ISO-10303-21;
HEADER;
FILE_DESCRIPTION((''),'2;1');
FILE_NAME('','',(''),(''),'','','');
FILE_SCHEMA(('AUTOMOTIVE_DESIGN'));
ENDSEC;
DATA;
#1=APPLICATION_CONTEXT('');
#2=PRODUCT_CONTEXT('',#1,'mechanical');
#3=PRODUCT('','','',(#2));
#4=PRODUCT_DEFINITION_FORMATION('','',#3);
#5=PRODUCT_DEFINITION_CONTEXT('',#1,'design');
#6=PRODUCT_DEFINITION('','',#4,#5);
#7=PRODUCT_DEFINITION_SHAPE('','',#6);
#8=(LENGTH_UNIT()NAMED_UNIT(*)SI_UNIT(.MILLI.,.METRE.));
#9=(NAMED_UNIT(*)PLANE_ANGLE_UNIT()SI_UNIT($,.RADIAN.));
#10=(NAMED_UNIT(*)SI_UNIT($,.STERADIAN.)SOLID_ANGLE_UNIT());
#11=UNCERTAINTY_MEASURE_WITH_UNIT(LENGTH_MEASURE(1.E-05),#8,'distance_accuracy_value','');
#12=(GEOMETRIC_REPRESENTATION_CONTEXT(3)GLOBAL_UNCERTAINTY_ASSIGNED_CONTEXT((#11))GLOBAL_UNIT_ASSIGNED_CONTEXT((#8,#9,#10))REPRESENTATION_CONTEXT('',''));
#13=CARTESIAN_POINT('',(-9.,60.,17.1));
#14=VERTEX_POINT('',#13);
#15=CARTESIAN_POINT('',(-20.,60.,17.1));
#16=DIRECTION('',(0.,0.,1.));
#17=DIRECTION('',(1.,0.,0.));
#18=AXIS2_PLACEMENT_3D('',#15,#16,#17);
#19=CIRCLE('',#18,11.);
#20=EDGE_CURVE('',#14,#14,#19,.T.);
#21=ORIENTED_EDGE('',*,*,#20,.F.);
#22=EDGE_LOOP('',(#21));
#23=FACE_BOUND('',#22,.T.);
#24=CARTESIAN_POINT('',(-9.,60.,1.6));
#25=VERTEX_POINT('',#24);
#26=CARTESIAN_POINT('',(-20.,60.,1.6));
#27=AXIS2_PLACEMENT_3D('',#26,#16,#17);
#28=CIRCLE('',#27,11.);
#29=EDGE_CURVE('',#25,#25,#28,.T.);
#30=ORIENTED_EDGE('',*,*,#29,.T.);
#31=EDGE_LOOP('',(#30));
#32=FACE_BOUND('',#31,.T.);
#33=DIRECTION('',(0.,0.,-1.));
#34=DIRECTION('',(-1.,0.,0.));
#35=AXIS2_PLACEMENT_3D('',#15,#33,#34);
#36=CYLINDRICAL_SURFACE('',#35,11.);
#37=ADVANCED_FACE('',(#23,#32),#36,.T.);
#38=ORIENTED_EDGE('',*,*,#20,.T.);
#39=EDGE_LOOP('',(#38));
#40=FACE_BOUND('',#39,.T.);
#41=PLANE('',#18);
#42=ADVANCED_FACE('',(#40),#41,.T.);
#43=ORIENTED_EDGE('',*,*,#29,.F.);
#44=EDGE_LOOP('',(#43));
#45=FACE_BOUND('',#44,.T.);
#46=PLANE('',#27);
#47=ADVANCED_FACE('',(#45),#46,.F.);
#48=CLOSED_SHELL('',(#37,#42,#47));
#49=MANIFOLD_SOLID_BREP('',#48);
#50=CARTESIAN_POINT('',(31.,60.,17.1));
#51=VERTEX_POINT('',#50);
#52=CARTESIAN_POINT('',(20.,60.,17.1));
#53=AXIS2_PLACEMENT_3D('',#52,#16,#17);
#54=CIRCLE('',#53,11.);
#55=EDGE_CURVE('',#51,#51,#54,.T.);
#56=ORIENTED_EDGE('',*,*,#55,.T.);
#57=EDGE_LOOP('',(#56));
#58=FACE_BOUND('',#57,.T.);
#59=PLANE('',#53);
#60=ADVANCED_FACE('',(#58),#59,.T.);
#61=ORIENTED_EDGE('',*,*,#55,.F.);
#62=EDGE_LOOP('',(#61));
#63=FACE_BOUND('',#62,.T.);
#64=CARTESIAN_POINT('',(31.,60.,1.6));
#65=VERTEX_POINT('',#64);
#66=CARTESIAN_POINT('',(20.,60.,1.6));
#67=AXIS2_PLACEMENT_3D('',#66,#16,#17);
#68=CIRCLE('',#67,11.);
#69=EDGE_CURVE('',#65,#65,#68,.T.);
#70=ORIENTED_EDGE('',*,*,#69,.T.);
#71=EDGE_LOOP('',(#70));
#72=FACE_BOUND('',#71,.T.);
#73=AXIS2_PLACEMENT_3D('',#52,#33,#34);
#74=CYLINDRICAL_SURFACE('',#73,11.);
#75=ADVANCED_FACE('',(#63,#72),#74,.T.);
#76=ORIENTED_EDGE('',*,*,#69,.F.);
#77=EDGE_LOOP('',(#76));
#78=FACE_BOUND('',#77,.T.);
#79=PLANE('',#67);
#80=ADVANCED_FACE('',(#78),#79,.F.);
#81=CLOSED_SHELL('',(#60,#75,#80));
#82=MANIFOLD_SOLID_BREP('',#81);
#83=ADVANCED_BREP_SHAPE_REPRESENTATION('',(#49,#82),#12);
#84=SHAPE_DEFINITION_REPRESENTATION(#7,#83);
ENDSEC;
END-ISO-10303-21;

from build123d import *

# Parameters (mm, degrees)
R1_D22_VISUAL_ENVELOPE_NOT_MEASURED_START   = 1.6
SKETCH_1_R                                  = 11
R1_D22_VISUAL_ENVELOPE_NOT_MEASURED_DEPTH   = 15.5
R1_D22_VISUAL_ENVELOPE_NOT_MEASURED_2_DEPTH = 15.5


with BuildPart() as part:
    # 草图1 → R1_D22_visual_envelope_NOT_measured (new body)
    with BuildSketch(Plane.XY.offset(R1_D22_VISUAL_ENVELOPE_NOT_MEASURED_START)):
        with Locations((-20, 60)):
            Circle(SKETCH_1_R)
    extrude(amount=R1_D22_VISUAL_ENVELOPE_NOT_MEASURED_DEPTH)


with BuildPart() as body_2:
    # 草图1 → R1_D22_visual_envelope_NOT_measured 2 (new body)
    with BuildSketch(Plane.XY.offset(R1_D22_VISUAL_ENVELOPE_NOT_MEASURED_START)):
        with Locations((20, 60)):
            Circle(SKETCH_1_R)
    extrude(amount=R1_D22_VISUAL_ENVELOPE_NOT_MEASURED_2_DEPTH)


solid = Compound([part.part, body_2.part])
